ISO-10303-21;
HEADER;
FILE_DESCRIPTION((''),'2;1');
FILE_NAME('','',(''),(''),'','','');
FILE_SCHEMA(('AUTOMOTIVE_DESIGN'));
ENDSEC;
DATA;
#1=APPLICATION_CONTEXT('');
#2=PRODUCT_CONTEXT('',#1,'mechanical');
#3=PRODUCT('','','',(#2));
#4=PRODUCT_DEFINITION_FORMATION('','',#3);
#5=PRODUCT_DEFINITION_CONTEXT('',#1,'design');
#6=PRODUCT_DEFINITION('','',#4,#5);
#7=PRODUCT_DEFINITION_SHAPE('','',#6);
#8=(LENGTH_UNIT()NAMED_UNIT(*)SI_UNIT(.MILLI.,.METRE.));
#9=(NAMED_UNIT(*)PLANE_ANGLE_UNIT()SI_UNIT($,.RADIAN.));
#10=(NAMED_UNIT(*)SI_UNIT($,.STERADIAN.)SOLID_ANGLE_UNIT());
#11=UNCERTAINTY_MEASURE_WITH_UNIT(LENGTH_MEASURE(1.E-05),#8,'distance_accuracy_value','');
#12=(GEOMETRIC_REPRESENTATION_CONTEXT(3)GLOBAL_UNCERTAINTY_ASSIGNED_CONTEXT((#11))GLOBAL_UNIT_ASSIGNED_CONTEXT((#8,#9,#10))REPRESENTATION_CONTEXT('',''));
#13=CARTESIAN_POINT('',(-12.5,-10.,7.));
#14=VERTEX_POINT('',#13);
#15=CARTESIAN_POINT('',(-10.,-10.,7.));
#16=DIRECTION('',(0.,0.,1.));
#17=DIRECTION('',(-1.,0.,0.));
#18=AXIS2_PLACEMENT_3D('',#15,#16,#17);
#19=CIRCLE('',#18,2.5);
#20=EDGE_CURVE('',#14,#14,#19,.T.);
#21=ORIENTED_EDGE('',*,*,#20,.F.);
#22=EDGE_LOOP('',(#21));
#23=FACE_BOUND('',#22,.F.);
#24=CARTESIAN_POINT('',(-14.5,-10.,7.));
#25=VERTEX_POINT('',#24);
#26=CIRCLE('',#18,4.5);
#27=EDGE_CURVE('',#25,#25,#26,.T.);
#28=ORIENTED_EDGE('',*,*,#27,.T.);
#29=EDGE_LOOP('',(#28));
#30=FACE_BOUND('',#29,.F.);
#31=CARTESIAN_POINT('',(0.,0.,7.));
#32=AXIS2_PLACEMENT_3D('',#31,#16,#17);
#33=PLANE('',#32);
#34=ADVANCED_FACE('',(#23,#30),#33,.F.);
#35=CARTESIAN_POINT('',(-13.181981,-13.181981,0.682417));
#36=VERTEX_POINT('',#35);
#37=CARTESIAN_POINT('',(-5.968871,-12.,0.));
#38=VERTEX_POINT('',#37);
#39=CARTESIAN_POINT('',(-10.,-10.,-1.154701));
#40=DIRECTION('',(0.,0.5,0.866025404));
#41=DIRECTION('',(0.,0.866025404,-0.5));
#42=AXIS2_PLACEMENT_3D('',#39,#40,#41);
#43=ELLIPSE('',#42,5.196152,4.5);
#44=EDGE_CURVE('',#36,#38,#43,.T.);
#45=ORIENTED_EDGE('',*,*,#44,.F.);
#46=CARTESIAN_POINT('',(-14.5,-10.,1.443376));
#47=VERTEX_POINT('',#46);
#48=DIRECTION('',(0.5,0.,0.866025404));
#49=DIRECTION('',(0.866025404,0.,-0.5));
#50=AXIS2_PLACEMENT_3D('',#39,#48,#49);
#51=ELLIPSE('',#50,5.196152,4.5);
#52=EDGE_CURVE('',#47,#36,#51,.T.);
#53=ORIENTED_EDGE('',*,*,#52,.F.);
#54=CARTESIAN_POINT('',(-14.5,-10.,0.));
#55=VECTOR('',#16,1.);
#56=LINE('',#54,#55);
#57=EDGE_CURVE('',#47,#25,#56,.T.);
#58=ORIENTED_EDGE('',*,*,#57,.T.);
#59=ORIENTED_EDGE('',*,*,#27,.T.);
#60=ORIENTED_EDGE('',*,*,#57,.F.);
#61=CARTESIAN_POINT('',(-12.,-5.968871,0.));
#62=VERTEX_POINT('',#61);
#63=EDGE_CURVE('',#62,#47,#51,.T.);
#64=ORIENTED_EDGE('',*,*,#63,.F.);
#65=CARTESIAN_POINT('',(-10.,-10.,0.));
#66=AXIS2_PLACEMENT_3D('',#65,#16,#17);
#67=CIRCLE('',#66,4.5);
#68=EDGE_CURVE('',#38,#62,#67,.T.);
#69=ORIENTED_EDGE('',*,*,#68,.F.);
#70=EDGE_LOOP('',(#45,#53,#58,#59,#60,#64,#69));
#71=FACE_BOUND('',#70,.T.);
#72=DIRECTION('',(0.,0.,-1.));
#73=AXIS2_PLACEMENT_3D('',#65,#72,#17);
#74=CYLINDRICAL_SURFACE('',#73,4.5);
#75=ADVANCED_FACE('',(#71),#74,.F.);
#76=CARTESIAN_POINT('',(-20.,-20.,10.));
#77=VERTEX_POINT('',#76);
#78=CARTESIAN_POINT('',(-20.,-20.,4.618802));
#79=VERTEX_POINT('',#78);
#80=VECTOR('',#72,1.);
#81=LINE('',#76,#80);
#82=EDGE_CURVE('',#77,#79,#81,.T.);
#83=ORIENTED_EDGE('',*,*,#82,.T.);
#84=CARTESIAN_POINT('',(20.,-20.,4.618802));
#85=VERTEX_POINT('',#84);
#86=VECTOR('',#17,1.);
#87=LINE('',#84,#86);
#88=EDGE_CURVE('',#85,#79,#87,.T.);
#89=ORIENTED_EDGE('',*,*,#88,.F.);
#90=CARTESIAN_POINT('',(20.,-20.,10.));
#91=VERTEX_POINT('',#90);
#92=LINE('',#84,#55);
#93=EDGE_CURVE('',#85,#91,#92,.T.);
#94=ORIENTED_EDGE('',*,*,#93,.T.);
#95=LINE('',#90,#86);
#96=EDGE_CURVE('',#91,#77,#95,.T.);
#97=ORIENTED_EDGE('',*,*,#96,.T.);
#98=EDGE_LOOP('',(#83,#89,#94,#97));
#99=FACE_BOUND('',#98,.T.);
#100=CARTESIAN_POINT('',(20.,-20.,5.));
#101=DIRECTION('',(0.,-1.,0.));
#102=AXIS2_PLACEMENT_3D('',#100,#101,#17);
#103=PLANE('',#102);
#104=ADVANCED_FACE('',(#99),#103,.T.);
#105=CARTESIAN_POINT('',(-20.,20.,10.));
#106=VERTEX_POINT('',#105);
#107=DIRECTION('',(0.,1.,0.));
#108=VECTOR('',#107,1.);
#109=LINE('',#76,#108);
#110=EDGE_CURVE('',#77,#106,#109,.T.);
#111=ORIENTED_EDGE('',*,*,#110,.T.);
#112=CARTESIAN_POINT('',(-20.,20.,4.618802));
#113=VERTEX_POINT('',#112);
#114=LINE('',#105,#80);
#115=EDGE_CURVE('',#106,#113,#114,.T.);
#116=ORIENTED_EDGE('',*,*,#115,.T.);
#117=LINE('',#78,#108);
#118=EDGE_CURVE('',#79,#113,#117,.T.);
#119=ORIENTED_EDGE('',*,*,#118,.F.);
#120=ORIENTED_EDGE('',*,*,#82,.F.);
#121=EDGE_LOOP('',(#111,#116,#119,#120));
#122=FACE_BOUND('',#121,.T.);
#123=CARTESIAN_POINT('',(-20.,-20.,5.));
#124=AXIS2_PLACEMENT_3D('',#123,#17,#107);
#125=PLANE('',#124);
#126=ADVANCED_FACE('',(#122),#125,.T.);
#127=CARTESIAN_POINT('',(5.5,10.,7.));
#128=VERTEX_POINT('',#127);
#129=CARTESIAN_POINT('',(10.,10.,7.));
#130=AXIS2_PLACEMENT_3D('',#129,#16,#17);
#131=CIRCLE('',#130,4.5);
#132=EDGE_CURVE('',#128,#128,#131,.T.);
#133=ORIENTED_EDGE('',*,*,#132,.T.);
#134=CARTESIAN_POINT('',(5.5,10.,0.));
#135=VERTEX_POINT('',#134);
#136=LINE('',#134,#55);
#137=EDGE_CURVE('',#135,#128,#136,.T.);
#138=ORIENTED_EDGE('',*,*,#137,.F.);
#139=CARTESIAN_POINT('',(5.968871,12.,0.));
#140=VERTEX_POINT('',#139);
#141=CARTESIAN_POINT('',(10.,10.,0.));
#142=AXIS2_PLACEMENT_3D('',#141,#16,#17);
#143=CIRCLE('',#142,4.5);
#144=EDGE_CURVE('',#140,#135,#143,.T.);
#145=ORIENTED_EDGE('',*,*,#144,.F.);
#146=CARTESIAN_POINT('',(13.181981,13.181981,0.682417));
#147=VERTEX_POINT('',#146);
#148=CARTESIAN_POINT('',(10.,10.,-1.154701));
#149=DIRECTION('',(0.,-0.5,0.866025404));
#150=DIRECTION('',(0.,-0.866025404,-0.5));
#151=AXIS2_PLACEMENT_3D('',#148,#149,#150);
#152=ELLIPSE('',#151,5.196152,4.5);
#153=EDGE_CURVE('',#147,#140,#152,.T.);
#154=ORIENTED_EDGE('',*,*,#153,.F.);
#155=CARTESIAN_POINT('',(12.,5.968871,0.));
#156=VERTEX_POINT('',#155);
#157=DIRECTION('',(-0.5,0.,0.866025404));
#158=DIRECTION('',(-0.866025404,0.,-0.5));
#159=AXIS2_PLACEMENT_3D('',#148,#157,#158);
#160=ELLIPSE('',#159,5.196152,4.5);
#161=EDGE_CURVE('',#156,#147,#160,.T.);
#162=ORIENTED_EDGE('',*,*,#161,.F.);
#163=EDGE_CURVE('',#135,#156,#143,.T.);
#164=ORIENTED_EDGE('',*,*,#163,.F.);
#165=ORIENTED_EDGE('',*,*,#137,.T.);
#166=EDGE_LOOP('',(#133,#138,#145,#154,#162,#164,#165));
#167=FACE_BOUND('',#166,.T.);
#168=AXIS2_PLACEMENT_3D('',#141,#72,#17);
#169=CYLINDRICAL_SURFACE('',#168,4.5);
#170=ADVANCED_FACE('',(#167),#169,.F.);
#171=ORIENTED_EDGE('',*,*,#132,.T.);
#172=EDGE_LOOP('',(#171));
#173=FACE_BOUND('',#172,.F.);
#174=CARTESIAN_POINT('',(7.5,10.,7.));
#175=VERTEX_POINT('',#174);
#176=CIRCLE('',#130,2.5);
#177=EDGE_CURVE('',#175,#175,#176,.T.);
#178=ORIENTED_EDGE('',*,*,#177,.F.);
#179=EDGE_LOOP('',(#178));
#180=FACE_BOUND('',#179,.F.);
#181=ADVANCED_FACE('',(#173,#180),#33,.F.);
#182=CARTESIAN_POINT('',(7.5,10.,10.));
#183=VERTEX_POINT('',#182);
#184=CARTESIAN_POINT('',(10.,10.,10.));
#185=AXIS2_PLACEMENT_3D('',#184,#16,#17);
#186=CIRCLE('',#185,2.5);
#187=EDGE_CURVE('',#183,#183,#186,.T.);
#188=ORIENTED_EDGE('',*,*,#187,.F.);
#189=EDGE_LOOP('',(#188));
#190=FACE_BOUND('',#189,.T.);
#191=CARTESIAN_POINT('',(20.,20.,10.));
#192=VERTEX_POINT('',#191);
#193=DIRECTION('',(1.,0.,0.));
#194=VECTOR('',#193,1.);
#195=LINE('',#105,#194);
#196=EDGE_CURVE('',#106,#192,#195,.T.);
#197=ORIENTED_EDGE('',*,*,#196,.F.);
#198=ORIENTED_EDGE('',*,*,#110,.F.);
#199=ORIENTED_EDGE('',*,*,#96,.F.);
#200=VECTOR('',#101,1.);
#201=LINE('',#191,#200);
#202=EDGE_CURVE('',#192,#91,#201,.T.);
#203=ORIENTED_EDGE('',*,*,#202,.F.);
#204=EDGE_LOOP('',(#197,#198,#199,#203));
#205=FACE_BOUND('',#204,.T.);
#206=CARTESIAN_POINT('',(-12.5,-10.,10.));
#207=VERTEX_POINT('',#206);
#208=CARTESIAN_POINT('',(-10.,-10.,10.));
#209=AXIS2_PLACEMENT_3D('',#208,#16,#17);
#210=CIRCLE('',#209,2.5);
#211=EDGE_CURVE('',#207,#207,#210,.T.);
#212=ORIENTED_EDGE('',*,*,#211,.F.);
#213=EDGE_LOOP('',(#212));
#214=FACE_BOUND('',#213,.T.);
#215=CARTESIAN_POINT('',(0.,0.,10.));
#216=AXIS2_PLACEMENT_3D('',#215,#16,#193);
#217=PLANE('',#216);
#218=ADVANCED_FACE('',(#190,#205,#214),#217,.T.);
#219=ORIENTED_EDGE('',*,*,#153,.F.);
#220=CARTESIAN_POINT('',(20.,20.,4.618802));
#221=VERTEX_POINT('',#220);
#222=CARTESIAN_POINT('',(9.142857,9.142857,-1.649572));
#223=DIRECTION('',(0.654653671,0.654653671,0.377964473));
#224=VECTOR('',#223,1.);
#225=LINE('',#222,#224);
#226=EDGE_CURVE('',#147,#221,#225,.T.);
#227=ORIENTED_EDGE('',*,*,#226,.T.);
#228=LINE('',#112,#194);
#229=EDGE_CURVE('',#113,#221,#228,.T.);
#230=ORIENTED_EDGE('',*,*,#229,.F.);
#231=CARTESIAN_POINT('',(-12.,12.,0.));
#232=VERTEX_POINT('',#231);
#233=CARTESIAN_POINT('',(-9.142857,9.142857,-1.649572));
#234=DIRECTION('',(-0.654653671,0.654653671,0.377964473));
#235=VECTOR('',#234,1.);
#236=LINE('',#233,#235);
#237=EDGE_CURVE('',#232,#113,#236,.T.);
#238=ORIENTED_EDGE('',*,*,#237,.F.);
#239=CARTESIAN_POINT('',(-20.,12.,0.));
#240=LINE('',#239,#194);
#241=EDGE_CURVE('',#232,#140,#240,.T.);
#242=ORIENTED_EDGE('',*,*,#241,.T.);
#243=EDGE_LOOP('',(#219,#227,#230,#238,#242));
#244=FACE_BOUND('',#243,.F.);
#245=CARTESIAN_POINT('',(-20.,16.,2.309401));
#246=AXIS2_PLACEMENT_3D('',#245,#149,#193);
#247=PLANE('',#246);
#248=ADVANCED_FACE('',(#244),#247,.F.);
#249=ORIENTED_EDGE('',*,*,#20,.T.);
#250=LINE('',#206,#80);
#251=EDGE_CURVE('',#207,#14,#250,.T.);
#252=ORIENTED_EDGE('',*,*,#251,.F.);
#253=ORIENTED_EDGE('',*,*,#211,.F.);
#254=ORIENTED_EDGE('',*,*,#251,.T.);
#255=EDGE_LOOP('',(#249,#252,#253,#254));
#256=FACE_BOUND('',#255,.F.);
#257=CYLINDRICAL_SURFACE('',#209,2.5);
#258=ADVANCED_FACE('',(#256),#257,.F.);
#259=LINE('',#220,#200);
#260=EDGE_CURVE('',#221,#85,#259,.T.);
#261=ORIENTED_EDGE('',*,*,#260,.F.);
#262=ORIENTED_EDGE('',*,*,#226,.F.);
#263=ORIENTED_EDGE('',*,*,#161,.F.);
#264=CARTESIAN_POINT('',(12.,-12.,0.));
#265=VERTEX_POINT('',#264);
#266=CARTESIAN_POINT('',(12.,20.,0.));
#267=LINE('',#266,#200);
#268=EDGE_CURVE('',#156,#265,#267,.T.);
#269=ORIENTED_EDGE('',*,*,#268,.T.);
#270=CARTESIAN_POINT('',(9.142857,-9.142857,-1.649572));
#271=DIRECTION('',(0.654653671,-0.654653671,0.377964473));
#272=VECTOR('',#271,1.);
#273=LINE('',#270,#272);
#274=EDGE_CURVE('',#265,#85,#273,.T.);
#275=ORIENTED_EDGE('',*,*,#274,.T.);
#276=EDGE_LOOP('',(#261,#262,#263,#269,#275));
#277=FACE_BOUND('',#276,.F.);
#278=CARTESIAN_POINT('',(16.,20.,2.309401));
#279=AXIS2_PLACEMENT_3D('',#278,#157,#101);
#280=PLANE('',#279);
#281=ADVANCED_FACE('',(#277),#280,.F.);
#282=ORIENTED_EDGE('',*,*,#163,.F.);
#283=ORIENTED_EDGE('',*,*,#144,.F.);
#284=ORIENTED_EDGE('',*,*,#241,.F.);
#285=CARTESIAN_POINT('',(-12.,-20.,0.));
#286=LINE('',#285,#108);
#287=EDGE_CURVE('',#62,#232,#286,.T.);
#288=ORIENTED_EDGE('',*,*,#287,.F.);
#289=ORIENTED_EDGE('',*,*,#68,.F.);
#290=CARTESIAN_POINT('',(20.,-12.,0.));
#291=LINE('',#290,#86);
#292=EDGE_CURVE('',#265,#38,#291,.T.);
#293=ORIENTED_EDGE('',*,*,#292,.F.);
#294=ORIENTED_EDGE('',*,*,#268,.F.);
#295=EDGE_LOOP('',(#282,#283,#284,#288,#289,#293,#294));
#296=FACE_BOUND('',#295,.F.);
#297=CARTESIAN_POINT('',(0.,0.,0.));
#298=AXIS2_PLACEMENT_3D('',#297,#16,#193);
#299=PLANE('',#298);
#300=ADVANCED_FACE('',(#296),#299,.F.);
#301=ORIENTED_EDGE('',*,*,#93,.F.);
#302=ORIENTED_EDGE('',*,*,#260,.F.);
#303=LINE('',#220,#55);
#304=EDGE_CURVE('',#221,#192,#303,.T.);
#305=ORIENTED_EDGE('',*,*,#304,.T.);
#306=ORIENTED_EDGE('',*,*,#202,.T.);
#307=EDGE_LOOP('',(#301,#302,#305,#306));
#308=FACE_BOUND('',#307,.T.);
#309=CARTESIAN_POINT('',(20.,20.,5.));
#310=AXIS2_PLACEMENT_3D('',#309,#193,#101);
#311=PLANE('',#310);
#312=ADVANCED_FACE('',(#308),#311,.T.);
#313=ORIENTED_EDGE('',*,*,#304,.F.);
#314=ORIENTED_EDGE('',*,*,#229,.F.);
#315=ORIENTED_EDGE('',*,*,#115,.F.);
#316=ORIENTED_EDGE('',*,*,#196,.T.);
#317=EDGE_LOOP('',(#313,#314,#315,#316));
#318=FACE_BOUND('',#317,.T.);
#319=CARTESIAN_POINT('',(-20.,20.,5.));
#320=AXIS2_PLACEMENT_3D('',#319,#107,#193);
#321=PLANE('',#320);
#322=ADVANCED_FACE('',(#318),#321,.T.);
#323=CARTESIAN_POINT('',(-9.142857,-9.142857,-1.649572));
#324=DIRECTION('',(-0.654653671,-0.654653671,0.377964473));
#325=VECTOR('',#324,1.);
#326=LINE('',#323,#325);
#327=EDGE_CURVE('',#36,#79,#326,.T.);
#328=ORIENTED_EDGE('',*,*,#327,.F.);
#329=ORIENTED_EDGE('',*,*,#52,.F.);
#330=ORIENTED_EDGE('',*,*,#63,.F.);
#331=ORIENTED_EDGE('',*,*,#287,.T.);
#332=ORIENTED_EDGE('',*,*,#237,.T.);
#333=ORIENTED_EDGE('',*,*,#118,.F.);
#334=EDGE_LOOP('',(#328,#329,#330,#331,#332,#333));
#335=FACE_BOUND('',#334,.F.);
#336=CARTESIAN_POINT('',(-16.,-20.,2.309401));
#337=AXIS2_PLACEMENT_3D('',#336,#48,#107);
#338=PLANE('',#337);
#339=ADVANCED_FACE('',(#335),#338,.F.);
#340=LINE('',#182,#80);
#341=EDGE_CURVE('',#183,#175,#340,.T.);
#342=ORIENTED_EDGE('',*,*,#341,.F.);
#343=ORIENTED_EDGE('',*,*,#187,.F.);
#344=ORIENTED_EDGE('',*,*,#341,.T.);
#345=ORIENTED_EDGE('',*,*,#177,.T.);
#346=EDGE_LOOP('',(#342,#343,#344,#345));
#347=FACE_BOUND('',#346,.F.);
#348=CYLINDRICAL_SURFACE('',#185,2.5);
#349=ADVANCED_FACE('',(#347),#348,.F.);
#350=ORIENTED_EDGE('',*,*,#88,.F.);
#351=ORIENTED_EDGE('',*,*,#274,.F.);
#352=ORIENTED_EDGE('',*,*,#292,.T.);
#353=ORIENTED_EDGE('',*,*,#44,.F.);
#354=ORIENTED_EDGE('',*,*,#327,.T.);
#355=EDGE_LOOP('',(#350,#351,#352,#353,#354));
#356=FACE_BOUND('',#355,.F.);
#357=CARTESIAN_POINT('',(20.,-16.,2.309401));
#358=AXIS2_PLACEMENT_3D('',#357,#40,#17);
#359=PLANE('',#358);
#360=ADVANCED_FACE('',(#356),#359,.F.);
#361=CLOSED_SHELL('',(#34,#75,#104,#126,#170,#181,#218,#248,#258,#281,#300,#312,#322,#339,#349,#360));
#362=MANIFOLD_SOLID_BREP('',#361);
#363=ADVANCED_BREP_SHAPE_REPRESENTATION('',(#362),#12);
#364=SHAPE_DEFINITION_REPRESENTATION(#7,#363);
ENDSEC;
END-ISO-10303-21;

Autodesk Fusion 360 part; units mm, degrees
sketch "Sketch1" plane through (0, 0, 0) normal (0, 0, 1) x (1, 0, 0)
  line L0 (20, -20) -> (-20, -20)
  line L1 (-20, -20) -> (-20, 20)
  line L2 (-20, 20) -> (20, 20)
  line L3 (20, 20) -> (20, -20)
  line L4 (20, -20) -> (-20, 20) construction
  line L5 (-20, -20) -> (20, 20) construction
  dimension "d1" = 40
  dimension "d2" = 40
extrude "Extrude1" add sketch "Sketch1" along normal blind 5
chamfer "Chamfer1" distance 8 angle 30 4 edges at (20, 0, 0) (0, -20, 0) (-20, 0, 0) (0, 20, 0) measured on face at (6.6667, -6.6667, 0) measured on face at (6.6667, -6.6667, 0) measured on face at (6.6667, -6.6667, 0) measured on face at (6.6667, -6.6667, 0)
extrude "Extrude2" add 1 faces at (6.6667, -6.6667, 5) along direction (0, 0, 1) blind 5
sketch "Sketch2" plane through (0, 0, 10) normal (0, 0, 1) x (-1, 0, 0)
  line L0 (-20, -20) -> (20, -20)
  line L1 (20, -20) -> (20, 20)
  line L2 (20, 20) -> (-20, 20)
  line L3 (-20, 20) -> (-20, -20)
  circle A0 centre (10, 10) radius 2.5
  circle A1 centre (-10, -10) radius 2.5
  circle A2 centre (10, 10) radius 4.5
  circle A3 centre (-10, -10) radius 4.5
  dimension "d11" = 5
  dimension "d12" = 5
  dimension "d15" = 9
  dimension "d16" = 9
  dimension "d20" = 10
  dimension "d21" = 10
  dimension "d22" = 10
  dimension "d23" = 10
extrude "Extrude4" cut sketch "Sketch2" along normal blind 7 from surface at -10 contours A2 | A3
extrude "Extrude3" cut sketch "Sketch2" against normal up to surface (10 mm away) contours A0 | A1
